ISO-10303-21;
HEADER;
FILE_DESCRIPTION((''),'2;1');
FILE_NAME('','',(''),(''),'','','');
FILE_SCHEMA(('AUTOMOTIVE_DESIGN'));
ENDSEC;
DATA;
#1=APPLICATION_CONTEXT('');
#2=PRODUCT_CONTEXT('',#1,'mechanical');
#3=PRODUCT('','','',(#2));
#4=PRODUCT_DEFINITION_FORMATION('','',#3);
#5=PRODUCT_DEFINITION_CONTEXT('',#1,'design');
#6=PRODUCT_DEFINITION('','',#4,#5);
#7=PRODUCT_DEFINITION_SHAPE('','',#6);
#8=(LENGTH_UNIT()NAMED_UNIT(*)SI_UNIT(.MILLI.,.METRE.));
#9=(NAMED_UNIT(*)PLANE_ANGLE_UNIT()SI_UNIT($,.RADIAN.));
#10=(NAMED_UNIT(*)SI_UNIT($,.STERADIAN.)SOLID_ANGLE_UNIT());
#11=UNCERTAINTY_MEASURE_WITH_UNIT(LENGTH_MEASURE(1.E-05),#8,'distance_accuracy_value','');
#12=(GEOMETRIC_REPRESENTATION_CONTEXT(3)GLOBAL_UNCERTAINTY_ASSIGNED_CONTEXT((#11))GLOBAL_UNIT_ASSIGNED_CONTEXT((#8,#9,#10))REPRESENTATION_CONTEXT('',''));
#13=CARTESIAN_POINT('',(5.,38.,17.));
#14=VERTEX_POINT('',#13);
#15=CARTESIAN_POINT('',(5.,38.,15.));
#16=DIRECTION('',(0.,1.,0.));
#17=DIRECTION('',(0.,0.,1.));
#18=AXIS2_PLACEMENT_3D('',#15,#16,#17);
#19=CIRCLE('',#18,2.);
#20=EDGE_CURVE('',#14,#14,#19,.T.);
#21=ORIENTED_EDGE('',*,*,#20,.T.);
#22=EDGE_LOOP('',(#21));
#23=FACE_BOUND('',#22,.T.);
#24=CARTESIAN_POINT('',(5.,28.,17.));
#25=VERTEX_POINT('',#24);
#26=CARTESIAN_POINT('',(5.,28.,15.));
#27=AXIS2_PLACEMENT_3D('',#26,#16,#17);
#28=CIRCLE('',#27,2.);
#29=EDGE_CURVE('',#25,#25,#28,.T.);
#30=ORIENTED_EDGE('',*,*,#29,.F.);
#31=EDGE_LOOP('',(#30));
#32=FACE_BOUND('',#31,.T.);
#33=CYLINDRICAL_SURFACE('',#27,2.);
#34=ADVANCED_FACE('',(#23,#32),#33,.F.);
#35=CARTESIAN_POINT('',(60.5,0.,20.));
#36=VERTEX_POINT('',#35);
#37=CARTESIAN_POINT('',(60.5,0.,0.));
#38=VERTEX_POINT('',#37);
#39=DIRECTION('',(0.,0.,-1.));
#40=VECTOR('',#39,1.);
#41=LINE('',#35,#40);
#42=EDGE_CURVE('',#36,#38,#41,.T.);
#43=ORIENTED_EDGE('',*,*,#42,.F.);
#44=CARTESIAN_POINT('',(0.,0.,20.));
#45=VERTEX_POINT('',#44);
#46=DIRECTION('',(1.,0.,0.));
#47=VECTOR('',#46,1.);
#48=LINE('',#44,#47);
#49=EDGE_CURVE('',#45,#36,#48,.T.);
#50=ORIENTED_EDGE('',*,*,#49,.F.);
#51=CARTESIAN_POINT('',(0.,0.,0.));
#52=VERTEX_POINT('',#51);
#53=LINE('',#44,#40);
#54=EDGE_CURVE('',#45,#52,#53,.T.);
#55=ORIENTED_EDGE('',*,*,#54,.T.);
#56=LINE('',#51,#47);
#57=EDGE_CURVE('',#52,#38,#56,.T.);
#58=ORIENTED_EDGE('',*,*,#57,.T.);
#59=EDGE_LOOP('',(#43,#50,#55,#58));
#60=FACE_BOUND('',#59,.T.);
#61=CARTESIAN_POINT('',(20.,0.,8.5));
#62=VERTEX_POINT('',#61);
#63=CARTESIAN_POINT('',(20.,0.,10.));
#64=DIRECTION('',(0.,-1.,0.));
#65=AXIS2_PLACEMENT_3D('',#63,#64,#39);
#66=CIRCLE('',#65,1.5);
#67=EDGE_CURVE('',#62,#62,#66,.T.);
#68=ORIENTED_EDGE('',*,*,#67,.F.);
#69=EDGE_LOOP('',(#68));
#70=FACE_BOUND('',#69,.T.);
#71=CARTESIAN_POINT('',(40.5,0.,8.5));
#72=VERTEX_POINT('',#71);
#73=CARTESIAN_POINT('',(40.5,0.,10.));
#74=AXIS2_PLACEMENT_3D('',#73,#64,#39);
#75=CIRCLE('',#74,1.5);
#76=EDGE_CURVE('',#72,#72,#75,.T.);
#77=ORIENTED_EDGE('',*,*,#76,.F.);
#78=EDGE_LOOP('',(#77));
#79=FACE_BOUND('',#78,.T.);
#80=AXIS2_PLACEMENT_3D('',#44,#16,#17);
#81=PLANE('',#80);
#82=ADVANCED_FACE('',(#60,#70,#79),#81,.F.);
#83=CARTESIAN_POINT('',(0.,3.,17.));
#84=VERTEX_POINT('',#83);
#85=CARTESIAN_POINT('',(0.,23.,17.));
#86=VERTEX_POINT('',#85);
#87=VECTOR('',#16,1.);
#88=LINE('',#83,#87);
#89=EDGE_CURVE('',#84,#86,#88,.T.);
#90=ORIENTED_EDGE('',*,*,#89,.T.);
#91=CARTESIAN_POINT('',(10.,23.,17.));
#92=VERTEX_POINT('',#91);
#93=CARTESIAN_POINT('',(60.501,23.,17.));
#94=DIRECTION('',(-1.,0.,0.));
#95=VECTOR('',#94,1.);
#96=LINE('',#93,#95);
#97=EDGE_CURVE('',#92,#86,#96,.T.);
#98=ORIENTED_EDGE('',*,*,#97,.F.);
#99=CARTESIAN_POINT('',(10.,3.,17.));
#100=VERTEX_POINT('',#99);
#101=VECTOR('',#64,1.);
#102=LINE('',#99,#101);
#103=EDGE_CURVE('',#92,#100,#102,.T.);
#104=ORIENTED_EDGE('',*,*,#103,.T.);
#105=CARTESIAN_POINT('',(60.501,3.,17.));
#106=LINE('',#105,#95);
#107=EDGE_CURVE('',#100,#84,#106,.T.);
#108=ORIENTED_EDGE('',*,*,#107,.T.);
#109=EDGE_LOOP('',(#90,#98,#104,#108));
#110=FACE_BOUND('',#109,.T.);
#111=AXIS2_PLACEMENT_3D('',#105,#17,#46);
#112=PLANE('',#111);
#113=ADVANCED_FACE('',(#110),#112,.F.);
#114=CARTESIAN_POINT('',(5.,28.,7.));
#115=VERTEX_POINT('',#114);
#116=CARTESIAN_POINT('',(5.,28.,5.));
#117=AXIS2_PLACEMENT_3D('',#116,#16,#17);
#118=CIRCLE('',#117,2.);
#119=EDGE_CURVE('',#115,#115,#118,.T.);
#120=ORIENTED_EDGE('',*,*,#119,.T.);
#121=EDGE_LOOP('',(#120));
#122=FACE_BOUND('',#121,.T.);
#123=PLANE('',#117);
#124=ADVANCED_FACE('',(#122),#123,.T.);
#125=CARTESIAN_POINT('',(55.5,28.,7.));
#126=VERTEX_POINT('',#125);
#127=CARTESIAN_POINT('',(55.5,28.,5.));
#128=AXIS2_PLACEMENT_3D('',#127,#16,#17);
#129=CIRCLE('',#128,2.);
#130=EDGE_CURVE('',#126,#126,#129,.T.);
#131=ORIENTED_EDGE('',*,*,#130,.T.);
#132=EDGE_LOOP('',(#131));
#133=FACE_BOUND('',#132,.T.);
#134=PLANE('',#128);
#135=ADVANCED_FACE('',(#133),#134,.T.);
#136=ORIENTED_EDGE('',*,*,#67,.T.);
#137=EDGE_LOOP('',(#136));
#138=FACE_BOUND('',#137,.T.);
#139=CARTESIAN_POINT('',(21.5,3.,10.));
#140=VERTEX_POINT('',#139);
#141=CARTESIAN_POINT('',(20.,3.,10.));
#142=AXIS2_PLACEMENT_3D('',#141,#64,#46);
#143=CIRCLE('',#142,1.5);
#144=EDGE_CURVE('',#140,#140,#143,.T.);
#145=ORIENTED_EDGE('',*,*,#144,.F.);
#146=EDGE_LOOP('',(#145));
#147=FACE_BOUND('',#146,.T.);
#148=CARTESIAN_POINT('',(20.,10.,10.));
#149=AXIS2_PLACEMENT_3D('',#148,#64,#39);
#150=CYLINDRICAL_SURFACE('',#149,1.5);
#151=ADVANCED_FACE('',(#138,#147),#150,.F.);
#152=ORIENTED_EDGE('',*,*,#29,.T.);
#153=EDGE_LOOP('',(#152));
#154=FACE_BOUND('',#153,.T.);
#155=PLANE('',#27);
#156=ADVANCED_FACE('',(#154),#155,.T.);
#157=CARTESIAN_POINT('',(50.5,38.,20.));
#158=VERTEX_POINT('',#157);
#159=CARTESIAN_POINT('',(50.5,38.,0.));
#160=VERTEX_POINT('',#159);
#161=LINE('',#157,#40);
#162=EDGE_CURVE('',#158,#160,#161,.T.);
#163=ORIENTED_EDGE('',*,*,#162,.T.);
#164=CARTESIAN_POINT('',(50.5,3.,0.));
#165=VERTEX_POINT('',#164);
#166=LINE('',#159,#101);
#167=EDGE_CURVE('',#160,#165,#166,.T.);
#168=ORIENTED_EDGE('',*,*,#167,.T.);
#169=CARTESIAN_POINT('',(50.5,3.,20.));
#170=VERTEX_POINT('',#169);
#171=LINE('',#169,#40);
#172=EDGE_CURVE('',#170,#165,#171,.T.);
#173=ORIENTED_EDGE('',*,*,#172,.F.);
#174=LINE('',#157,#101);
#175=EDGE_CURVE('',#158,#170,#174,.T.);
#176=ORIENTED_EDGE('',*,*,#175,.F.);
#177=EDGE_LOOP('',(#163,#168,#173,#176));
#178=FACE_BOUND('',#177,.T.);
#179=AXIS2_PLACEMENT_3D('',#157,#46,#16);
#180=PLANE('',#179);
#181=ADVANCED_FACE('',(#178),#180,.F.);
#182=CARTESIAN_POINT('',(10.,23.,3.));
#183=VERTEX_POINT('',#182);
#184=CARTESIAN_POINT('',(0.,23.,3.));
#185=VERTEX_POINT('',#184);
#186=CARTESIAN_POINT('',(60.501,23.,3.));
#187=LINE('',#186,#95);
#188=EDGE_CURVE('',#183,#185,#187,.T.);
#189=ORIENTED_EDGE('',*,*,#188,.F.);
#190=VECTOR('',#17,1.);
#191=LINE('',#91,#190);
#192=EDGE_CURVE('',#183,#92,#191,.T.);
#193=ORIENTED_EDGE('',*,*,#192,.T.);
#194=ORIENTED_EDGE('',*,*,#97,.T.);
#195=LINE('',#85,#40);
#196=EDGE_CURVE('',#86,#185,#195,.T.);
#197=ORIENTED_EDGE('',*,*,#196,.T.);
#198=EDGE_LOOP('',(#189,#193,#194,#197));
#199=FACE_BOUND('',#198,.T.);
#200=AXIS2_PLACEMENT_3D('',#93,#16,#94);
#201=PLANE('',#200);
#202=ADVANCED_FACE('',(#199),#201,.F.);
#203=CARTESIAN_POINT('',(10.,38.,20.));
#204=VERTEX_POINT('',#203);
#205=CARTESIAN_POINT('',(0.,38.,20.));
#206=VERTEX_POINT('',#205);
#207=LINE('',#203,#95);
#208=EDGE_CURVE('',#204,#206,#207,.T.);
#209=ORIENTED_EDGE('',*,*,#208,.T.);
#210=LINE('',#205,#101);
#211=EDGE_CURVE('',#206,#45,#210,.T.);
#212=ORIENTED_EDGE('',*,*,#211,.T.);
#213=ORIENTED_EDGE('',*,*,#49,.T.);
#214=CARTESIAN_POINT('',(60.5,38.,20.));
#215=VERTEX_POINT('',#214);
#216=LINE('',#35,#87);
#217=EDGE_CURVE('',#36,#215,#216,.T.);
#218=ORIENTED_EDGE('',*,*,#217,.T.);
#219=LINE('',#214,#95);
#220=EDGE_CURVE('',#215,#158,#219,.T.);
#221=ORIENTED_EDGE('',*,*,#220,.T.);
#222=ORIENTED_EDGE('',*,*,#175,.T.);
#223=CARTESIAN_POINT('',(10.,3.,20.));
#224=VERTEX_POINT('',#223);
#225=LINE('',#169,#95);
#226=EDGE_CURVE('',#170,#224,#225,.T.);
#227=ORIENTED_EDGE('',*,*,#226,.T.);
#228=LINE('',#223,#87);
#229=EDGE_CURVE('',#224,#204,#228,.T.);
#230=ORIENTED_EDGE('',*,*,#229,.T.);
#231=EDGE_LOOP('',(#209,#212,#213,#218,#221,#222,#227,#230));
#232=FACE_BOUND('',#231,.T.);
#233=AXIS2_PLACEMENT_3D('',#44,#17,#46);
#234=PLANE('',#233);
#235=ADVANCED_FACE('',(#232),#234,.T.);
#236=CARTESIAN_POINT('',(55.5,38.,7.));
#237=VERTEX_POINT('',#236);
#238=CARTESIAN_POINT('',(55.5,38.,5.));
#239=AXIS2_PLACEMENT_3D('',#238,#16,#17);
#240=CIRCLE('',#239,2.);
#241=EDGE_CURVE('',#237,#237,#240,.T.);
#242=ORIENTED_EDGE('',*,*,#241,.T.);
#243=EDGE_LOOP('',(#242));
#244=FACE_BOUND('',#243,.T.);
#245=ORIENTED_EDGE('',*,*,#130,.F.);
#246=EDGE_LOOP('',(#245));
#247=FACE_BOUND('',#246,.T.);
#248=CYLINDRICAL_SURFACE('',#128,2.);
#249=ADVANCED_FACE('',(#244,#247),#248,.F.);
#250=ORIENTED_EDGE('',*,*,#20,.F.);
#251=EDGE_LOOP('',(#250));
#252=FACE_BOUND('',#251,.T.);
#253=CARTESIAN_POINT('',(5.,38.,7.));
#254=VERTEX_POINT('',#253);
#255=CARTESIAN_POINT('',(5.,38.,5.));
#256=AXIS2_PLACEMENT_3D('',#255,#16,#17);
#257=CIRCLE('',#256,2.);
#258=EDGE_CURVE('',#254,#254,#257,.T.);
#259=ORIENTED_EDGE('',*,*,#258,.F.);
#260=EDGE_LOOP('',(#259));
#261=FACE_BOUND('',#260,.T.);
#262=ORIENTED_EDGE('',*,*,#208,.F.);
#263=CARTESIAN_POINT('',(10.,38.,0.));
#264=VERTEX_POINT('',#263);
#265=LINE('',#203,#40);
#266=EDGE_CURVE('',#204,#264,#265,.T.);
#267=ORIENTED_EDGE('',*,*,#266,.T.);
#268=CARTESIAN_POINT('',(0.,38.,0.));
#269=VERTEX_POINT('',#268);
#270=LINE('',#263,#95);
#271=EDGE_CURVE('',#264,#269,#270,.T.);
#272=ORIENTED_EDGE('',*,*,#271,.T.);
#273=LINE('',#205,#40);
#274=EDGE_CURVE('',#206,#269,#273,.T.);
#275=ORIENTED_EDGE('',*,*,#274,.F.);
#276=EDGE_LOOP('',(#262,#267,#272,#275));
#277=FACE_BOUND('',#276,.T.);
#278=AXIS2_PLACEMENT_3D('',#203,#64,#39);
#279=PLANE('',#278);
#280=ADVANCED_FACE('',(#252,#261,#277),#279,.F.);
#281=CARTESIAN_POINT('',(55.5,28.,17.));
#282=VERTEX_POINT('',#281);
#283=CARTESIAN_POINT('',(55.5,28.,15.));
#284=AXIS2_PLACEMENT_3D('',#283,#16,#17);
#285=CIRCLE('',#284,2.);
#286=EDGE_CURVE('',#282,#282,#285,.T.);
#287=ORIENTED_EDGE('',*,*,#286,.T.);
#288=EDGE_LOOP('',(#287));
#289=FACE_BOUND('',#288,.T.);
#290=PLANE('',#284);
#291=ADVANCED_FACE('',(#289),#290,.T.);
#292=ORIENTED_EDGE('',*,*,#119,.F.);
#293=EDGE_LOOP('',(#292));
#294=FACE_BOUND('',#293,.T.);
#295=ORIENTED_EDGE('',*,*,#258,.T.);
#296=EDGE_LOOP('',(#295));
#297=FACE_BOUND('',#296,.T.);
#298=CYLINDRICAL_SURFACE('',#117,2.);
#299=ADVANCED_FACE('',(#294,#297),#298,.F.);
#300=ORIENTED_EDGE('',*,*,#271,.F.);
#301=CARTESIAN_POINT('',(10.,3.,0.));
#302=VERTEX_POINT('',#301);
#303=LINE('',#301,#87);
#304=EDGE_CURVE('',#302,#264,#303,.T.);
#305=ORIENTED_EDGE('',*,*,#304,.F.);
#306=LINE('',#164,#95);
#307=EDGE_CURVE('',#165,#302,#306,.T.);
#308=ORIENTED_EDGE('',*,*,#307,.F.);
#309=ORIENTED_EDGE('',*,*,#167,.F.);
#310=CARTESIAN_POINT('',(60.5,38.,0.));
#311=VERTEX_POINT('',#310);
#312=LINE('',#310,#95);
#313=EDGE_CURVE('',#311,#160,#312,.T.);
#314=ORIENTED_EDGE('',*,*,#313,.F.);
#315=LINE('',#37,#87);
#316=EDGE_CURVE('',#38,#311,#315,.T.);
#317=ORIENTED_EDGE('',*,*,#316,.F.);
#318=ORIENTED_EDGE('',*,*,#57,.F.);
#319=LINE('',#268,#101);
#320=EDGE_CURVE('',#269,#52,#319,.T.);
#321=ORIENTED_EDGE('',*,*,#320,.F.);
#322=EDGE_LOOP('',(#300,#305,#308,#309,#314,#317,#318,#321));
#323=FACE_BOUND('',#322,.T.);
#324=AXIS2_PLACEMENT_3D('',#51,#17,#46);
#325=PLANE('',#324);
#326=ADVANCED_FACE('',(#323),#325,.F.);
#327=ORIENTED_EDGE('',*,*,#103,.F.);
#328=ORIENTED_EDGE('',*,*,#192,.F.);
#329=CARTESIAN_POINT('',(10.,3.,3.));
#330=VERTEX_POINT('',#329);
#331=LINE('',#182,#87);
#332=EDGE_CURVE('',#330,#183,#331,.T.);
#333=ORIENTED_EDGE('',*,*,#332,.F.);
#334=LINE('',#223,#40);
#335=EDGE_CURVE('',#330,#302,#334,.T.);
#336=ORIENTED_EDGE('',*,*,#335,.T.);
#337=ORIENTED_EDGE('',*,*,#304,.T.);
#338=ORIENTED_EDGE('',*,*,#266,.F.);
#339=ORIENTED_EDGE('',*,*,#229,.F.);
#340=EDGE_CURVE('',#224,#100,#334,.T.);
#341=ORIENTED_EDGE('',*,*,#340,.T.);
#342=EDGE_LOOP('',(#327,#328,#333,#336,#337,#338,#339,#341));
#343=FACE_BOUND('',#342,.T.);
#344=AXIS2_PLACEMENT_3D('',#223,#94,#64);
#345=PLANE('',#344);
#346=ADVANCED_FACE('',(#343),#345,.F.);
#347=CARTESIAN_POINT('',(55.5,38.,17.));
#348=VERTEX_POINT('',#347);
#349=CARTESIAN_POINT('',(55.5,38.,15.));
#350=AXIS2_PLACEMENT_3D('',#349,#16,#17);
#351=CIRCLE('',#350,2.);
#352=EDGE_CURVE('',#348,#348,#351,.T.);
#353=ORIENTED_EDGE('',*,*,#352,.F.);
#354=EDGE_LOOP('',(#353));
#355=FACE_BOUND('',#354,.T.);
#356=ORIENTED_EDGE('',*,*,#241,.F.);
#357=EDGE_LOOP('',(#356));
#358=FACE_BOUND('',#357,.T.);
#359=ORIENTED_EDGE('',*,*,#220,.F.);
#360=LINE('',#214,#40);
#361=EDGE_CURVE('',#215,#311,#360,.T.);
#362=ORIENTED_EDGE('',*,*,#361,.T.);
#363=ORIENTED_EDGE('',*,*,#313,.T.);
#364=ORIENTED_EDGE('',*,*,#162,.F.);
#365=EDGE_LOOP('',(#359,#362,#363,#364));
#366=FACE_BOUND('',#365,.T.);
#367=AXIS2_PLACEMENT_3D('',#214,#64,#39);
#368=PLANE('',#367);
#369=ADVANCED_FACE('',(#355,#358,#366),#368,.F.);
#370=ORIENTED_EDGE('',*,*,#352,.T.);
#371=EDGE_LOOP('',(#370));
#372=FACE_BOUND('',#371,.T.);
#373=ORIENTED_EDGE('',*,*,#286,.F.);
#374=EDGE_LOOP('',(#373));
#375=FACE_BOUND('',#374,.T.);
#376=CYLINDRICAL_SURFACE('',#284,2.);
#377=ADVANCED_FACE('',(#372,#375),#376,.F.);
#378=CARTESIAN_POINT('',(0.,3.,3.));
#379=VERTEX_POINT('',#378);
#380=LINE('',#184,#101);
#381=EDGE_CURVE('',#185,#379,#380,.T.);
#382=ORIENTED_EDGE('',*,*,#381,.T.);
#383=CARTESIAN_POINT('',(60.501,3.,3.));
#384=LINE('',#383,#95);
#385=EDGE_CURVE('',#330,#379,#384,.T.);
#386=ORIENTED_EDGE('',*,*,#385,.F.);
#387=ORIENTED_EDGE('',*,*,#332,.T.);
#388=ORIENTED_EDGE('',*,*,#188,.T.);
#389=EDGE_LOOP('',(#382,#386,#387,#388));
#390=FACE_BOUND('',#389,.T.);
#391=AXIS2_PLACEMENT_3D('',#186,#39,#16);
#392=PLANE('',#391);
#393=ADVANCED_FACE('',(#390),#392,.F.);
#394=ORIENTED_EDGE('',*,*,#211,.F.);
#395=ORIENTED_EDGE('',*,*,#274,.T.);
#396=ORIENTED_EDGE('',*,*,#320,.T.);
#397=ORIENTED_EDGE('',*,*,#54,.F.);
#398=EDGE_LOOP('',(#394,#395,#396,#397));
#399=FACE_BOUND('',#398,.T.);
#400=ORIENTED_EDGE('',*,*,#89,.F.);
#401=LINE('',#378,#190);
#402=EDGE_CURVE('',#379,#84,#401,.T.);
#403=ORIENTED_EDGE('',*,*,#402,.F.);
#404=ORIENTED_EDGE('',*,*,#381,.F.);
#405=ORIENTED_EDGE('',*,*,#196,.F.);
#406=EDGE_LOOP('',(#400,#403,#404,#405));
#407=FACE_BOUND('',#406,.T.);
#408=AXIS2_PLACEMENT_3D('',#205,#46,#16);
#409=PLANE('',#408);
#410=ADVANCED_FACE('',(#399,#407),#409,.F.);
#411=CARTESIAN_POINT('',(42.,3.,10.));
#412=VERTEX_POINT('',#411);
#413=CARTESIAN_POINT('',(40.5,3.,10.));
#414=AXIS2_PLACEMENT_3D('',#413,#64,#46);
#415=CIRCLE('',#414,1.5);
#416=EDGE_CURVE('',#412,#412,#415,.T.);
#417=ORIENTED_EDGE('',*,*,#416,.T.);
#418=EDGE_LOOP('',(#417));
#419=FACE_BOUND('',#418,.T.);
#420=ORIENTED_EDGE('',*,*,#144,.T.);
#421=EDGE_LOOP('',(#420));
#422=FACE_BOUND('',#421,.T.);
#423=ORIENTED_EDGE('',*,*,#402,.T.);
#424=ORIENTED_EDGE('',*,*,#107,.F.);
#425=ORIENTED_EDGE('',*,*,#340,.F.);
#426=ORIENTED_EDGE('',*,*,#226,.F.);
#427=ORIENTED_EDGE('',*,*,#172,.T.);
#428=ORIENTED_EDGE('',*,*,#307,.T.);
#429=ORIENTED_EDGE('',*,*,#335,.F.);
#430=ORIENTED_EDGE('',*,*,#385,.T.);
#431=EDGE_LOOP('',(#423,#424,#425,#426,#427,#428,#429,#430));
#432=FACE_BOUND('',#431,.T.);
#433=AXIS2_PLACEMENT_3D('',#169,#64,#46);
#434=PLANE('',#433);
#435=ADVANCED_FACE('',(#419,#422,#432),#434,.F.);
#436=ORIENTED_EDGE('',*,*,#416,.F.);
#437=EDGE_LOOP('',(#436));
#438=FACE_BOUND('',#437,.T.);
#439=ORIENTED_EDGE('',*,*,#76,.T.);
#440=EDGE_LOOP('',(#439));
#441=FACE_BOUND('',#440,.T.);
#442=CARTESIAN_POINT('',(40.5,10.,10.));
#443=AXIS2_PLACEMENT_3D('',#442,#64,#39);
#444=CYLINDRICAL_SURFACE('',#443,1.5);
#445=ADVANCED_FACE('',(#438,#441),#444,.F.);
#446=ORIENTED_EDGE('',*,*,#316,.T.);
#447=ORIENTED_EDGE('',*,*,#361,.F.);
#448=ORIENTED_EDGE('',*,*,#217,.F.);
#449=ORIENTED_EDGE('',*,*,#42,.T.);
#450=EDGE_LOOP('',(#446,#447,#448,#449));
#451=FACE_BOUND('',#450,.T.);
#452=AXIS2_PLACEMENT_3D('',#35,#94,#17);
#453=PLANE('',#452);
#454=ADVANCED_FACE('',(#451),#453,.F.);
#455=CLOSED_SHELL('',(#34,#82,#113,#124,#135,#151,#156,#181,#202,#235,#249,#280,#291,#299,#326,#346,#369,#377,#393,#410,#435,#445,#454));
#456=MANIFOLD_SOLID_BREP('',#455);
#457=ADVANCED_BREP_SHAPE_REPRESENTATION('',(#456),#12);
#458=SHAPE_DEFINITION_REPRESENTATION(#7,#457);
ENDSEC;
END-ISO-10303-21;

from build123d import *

# Parameters (mm, degrees)
EXTRUDE_2_DEPTH     = 20
CUT_EXTRUDE_1_REACH = 76.191
SKETCH_3_W          = 14
SKETCH_3_H          = 20
SKETCH_4_R          = 2
CUT_EXTRUDE_2_DEPTH = 10
SKETCH_5_R          = 1.5
CUT_EXTRUDE_3_DEPTH = 10


with BuildPart() as part:
    # Эскиз2 → Бобышка-Вытянуть2 (new body)
    with BuildSketch(Plane.XY):
        Polygon((0, 0), (60.5, 0), (60.5, 38), (50.5, 38), (50.5, 3), (10, 3), (10, 38), (0, 38), align=None)
    extrude(amount=EXTRUDE_2_DEPTH)

    # Эскиз3 → Вырез-Вытянуть1 (cut, up to next)
    with BuildSketch(Plane.ZY, mode=Mode.PRIVATE) as cut_extrude_1_sk1:
        with Locations((10, 13)):
            Rectangle(SKETCH_3_W, SKETCH_3_H)
    cut_extrude_1_tool1 = extrude(cut_extrude_1_sk1.sketch, amount=-CUT_EXTRUDE_1_REACH, mode=Mode.PRIVATE) & part.part
    add(cut_extrude_1_tool1.solids().sort_by_distance((0, 13, 10))[0], mode=Mode.SUBTRACT)

    # Эскиз4 → Вырез-Вытянуть2 (cut)
    with BuildSketch(Plane(origin=(0, 38, 0), x_dir=(1, 0, 0), z_dir=(0, 1, 0))):
        with Locations(Location((5, -5, 0), (0, 0, 270))):
            Circle(SKETCH_4_R)
        with Locations(Location((5, -15, 0), (0, 0, 270))):
            Circle(SKETCH_4_R)
        with Locations(Location((55.5, -5, 0), (0, 0, 270))):
            Circle(SKETCH_4_R)
        with Locations(Location((55.5, -15, 0), (0, 0, 270))):
            Circle(SKETCH_4_R)
    extrude(amount=-CUT_EXTRUDE_2_DEPTH, mode=Mode.SUBTRACT)

    # Эскиз5 → Вырез-Вытянуть3 (cut)
    with BuildSketch(Plane.XZ):
        with Locations(Location((20, 10, 0), (0, 0, 270))):
            Circle(SKETCH_5_R)
        with Locations(Location((40.5, 10, 0), (0, 0, 270))):
            Circle(SKETCH_5_R)
    extrude(amount=-CUT_EXTRUDE_3_DEPTH, mode=Mode.SUBTRACT)


solid = part.part
